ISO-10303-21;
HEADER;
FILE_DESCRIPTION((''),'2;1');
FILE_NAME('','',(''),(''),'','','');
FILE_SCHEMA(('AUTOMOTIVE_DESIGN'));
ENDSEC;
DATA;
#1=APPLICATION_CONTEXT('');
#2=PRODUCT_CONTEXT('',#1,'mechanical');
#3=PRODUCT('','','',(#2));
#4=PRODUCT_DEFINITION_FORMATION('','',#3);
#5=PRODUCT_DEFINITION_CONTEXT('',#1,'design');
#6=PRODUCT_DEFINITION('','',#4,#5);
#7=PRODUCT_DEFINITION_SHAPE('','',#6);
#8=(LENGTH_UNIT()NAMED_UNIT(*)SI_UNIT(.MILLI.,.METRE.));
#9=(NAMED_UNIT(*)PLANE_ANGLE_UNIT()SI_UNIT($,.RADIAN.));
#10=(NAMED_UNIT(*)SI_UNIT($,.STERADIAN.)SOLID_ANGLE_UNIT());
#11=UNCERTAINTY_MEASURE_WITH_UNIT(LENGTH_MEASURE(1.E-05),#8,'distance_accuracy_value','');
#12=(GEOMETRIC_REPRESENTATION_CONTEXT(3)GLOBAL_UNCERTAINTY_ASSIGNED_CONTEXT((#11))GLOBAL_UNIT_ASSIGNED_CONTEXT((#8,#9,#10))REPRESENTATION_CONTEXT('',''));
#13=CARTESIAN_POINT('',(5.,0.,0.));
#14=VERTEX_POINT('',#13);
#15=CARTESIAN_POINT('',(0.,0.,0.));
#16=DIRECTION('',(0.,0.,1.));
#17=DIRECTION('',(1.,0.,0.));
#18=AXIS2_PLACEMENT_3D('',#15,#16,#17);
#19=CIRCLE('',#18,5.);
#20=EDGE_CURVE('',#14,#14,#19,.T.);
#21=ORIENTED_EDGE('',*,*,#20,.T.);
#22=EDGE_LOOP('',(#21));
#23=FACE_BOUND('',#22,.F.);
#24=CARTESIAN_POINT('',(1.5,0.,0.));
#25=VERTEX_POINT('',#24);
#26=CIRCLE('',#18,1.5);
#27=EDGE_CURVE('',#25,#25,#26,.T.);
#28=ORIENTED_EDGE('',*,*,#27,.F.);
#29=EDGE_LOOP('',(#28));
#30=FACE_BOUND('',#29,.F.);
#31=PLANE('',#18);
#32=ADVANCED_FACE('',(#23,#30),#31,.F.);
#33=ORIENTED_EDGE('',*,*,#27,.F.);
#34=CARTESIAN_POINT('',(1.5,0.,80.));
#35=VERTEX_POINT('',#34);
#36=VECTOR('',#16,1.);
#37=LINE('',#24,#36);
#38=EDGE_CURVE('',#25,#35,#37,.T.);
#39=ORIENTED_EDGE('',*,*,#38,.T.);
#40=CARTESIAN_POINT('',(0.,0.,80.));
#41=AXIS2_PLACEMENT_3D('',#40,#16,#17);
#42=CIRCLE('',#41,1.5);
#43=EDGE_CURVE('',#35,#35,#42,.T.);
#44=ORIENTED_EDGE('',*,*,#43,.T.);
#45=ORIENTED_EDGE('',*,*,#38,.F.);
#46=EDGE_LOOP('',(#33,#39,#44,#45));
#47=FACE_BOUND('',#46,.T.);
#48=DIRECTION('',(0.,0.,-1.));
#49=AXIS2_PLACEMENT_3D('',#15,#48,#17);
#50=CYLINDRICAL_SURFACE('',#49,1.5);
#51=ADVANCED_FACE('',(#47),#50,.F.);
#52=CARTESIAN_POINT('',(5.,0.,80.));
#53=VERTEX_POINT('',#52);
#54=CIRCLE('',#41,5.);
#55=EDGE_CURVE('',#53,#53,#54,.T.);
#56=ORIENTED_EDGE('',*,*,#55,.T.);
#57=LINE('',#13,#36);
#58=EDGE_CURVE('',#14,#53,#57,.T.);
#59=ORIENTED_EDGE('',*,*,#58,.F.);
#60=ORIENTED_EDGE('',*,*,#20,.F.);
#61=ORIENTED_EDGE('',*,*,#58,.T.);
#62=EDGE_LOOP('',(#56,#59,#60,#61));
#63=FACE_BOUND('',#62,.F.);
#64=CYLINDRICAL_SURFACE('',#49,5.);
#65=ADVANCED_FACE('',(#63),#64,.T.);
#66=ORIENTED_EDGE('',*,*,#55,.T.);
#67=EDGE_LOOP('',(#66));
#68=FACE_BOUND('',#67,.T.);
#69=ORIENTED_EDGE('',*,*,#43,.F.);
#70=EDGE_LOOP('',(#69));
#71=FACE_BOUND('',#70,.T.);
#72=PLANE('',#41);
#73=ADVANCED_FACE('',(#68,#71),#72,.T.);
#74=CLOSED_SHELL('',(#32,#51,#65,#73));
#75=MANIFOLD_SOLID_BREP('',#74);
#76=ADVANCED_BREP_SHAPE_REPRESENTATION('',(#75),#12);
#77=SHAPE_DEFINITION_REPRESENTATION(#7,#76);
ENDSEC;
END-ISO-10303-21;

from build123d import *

# Parameters (mm, degrees)
SKETCH_R   = 5
SKETCH_R_2 = 1.5
PAD_DEPTH  = 80


with BuildPart() as part:
    # Sketch → Pad (new body)
    with BuildSketch(Plane.XY):
        Circle(SKETCH_R)
        Circle(SKETCH_R_2, mode=Mode.SUBTRACT)
    extrude(amount=PAD_DEPTH)


solid = part.part
